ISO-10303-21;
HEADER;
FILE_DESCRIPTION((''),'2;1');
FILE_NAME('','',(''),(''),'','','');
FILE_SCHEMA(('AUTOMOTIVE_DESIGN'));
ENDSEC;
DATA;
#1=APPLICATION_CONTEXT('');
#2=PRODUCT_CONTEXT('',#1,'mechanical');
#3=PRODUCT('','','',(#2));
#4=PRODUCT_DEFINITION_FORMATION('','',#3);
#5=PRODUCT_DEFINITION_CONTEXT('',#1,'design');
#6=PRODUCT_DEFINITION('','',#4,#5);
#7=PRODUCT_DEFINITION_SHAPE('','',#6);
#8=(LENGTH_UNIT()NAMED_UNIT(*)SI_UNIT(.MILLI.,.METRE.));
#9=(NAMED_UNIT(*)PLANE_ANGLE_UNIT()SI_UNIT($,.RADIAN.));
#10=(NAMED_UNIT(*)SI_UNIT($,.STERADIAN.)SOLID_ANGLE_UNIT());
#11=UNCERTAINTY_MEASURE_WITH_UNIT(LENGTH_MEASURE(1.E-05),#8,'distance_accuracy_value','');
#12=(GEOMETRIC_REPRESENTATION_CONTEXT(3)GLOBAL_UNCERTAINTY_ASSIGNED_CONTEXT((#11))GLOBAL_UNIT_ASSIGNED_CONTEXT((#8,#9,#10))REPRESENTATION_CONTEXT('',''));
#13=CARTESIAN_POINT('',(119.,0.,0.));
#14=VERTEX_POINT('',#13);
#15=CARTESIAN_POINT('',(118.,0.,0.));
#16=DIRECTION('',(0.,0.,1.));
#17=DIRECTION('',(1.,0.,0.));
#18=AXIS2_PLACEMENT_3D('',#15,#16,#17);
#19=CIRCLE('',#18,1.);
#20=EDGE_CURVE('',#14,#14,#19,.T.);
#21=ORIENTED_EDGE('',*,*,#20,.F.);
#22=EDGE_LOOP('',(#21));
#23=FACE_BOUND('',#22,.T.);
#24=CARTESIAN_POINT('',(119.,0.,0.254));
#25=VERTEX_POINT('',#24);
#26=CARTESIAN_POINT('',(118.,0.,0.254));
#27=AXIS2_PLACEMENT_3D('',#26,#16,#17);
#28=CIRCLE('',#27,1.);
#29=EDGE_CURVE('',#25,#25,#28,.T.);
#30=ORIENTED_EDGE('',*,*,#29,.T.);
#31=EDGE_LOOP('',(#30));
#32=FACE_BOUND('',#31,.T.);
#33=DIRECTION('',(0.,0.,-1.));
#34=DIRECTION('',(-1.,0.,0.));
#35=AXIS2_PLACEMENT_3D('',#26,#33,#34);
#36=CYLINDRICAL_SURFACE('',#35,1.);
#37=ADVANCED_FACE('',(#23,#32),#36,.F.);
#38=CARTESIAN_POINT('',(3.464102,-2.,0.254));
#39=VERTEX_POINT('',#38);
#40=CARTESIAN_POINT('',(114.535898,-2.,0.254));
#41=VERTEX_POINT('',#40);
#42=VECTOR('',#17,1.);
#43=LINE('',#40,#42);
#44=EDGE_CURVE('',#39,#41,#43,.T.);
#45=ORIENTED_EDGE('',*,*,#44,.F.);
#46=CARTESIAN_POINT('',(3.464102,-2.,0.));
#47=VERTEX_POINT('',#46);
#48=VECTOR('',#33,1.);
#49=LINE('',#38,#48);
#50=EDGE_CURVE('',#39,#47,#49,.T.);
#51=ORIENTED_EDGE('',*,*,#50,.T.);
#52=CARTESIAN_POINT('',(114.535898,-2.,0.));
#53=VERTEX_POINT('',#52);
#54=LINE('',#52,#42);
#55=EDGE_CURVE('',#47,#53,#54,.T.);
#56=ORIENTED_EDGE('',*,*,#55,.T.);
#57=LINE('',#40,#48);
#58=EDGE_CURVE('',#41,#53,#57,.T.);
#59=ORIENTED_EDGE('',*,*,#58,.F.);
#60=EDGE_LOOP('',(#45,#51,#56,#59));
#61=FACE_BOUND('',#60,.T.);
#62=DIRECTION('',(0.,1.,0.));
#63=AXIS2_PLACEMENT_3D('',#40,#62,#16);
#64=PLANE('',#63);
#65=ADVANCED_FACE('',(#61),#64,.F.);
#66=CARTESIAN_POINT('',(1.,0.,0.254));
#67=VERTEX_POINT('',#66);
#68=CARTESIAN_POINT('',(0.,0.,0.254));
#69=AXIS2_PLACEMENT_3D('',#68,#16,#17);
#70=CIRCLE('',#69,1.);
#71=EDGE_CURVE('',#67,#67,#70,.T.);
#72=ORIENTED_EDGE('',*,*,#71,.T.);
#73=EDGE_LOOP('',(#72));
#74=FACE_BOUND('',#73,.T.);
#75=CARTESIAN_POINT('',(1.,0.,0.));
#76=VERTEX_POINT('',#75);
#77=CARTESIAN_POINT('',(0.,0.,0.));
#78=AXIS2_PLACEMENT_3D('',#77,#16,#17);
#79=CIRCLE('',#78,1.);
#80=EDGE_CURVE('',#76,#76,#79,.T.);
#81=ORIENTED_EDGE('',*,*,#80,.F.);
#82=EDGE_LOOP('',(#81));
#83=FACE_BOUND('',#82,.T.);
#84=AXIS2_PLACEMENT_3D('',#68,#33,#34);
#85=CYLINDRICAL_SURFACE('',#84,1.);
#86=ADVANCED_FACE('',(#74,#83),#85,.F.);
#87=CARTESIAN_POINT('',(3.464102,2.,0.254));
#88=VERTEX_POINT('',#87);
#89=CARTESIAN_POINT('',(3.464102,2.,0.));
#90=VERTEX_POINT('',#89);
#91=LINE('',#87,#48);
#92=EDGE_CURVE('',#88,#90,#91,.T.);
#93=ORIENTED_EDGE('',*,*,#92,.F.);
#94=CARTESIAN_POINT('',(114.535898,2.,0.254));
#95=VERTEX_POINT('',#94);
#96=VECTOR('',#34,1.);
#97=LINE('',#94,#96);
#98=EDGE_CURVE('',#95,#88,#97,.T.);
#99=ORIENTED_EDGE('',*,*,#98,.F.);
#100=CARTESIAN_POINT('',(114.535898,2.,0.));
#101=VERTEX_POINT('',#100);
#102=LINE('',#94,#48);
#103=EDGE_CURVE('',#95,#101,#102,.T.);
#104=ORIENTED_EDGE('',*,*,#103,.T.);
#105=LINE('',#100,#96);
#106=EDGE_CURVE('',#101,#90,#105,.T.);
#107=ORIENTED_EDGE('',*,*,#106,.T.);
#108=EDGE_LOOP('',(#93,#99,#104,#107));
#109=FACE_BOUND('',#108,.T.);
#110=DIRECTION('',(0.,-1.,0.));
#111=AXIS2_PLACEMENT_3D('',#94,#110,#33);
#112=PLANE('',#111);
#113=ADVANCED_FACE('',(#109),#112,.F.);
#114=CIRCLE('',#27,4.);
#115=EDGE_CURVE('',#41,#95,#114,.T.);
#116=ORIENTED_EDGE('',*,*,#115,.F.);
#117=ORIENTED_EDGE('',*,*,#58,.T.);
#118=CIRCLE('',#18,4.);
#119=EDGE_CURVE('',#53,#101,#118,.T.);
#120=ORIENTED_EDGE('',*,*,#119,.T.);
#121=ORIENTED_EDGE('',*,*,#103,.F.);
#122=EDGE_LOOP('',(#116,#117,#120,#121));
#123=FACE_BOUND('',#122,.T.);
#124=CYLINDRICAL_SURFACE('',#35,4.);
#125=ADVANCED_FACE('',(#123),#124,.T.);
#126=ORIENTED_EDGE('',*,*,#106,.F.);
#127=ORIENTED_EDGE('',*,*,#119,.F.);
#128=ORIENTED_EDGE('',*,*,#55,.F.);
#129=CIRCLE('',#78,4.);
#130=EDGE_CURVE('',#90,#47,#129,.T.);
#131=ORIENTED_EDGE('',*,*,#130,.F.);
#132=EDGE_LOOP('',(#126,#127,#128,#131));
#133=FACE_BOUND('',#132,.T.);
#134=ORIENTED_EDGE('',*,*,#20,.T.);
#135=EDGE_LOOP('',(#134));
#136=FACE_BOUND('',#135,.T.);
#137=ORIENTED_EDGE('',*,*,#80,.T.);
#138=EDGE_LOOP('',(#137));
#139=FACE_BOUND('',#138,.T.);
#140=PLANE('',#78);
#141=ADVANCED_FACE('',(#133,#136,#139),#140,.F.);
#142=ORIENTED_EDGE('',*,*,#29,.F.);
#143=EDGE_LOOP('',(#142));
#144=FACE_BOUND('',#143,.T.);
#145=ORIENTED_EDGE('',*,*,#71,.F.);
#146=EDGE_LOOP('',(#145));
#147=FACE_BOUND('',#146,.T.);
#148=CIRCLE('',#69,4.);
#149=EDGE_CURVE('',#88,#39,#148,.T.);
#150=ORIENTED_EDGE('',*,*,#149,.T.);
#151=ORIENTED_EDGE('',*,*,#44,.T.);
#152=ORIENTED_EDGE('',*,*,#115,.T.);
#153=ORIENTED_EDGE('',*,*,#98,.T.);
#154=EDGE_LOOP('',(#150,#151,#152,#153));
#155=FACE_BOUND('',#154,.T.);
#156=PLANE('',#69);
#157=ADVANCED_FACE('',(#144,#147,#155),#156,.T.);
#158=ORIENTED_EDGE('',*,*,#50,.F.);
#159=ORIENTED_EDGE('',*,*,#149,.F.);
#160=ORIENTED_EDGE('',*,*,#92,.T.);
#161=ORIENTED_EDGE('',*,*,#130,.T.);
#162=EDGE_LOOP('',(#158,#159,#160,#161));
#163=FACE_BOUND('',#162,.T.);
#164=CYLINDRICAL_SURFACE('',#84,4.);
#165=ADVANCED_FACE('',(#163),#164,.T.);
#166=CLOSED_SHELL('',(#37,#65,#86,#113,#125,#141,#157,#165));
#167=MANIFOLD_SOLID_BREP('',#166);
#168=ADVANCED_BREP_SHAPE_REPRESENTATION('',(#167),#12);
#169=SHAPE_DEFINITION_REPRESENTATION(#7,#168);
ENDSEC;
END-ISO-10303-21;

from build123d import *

# Parameters (mm, degrees)
SKETCH1_R           = 1
BOSS_EXTRUDE1_DEPTH = 0.254
CUT_EXTRUDE1_DEPTH  = 1.254


with BuildPart() as part:
    # Sketch1 → Boss-Extrude1 (new body)
    with BuildSketch(Plane.XY):
        with BuildLine():
            Line((0, 4), (118, 4))
            ThreePointArc((118, 4), (122, 0), (118, -4))
            Line((118, -4), (0, -4))
            ThreePointArc((0, -4), (-4, 0), (0, 4))
        make_face()
        Circle(SKETCH1_R, mode=Mode.SUBTRACT)
        with Locations((118, 0)):
            Circle(SKETCH1_R, mode=Mode.SUBTRACT)
    extrude(amount=BOSS_EXTRUDE1_DEPTH)

    # Sketch2 → Cut-Extrude1 (cut, through all)
    with BuildSketch(Plane(origin=(0, 0, 0), x_dir=(-1, 0, 0), z_dir=(0, 0, -1))):
        with BuildLine():
            Line((-114.535898385, 2), (-3.464101615, 2))
            ThreePointArc((-3.464101615, 2), (-2, 3.464101615), (0, 4))
            Line((0, 4), (-118, 4))
            ThreePointArc((-118, 4), (-116, 3.464101615), (-114.535898385, 2))
        make_face()
        with BuildLine():
            Line((-114.535898385, -2), (-3.464101615, -2))
            ThreePointArc((-3.464101615, -2), (-2, -3.464101615), (0, -4))
            Line((0, -4), (-118, -4))
            ThreePointArc((-118, -4), (-116, -3.464101615), (-114.535898385, -2))
        make_face()
    extrude(amount=-CUT_EXTRUDE1_DEPTH, mode=Mode.SUBTRACT)


solid = part.part
